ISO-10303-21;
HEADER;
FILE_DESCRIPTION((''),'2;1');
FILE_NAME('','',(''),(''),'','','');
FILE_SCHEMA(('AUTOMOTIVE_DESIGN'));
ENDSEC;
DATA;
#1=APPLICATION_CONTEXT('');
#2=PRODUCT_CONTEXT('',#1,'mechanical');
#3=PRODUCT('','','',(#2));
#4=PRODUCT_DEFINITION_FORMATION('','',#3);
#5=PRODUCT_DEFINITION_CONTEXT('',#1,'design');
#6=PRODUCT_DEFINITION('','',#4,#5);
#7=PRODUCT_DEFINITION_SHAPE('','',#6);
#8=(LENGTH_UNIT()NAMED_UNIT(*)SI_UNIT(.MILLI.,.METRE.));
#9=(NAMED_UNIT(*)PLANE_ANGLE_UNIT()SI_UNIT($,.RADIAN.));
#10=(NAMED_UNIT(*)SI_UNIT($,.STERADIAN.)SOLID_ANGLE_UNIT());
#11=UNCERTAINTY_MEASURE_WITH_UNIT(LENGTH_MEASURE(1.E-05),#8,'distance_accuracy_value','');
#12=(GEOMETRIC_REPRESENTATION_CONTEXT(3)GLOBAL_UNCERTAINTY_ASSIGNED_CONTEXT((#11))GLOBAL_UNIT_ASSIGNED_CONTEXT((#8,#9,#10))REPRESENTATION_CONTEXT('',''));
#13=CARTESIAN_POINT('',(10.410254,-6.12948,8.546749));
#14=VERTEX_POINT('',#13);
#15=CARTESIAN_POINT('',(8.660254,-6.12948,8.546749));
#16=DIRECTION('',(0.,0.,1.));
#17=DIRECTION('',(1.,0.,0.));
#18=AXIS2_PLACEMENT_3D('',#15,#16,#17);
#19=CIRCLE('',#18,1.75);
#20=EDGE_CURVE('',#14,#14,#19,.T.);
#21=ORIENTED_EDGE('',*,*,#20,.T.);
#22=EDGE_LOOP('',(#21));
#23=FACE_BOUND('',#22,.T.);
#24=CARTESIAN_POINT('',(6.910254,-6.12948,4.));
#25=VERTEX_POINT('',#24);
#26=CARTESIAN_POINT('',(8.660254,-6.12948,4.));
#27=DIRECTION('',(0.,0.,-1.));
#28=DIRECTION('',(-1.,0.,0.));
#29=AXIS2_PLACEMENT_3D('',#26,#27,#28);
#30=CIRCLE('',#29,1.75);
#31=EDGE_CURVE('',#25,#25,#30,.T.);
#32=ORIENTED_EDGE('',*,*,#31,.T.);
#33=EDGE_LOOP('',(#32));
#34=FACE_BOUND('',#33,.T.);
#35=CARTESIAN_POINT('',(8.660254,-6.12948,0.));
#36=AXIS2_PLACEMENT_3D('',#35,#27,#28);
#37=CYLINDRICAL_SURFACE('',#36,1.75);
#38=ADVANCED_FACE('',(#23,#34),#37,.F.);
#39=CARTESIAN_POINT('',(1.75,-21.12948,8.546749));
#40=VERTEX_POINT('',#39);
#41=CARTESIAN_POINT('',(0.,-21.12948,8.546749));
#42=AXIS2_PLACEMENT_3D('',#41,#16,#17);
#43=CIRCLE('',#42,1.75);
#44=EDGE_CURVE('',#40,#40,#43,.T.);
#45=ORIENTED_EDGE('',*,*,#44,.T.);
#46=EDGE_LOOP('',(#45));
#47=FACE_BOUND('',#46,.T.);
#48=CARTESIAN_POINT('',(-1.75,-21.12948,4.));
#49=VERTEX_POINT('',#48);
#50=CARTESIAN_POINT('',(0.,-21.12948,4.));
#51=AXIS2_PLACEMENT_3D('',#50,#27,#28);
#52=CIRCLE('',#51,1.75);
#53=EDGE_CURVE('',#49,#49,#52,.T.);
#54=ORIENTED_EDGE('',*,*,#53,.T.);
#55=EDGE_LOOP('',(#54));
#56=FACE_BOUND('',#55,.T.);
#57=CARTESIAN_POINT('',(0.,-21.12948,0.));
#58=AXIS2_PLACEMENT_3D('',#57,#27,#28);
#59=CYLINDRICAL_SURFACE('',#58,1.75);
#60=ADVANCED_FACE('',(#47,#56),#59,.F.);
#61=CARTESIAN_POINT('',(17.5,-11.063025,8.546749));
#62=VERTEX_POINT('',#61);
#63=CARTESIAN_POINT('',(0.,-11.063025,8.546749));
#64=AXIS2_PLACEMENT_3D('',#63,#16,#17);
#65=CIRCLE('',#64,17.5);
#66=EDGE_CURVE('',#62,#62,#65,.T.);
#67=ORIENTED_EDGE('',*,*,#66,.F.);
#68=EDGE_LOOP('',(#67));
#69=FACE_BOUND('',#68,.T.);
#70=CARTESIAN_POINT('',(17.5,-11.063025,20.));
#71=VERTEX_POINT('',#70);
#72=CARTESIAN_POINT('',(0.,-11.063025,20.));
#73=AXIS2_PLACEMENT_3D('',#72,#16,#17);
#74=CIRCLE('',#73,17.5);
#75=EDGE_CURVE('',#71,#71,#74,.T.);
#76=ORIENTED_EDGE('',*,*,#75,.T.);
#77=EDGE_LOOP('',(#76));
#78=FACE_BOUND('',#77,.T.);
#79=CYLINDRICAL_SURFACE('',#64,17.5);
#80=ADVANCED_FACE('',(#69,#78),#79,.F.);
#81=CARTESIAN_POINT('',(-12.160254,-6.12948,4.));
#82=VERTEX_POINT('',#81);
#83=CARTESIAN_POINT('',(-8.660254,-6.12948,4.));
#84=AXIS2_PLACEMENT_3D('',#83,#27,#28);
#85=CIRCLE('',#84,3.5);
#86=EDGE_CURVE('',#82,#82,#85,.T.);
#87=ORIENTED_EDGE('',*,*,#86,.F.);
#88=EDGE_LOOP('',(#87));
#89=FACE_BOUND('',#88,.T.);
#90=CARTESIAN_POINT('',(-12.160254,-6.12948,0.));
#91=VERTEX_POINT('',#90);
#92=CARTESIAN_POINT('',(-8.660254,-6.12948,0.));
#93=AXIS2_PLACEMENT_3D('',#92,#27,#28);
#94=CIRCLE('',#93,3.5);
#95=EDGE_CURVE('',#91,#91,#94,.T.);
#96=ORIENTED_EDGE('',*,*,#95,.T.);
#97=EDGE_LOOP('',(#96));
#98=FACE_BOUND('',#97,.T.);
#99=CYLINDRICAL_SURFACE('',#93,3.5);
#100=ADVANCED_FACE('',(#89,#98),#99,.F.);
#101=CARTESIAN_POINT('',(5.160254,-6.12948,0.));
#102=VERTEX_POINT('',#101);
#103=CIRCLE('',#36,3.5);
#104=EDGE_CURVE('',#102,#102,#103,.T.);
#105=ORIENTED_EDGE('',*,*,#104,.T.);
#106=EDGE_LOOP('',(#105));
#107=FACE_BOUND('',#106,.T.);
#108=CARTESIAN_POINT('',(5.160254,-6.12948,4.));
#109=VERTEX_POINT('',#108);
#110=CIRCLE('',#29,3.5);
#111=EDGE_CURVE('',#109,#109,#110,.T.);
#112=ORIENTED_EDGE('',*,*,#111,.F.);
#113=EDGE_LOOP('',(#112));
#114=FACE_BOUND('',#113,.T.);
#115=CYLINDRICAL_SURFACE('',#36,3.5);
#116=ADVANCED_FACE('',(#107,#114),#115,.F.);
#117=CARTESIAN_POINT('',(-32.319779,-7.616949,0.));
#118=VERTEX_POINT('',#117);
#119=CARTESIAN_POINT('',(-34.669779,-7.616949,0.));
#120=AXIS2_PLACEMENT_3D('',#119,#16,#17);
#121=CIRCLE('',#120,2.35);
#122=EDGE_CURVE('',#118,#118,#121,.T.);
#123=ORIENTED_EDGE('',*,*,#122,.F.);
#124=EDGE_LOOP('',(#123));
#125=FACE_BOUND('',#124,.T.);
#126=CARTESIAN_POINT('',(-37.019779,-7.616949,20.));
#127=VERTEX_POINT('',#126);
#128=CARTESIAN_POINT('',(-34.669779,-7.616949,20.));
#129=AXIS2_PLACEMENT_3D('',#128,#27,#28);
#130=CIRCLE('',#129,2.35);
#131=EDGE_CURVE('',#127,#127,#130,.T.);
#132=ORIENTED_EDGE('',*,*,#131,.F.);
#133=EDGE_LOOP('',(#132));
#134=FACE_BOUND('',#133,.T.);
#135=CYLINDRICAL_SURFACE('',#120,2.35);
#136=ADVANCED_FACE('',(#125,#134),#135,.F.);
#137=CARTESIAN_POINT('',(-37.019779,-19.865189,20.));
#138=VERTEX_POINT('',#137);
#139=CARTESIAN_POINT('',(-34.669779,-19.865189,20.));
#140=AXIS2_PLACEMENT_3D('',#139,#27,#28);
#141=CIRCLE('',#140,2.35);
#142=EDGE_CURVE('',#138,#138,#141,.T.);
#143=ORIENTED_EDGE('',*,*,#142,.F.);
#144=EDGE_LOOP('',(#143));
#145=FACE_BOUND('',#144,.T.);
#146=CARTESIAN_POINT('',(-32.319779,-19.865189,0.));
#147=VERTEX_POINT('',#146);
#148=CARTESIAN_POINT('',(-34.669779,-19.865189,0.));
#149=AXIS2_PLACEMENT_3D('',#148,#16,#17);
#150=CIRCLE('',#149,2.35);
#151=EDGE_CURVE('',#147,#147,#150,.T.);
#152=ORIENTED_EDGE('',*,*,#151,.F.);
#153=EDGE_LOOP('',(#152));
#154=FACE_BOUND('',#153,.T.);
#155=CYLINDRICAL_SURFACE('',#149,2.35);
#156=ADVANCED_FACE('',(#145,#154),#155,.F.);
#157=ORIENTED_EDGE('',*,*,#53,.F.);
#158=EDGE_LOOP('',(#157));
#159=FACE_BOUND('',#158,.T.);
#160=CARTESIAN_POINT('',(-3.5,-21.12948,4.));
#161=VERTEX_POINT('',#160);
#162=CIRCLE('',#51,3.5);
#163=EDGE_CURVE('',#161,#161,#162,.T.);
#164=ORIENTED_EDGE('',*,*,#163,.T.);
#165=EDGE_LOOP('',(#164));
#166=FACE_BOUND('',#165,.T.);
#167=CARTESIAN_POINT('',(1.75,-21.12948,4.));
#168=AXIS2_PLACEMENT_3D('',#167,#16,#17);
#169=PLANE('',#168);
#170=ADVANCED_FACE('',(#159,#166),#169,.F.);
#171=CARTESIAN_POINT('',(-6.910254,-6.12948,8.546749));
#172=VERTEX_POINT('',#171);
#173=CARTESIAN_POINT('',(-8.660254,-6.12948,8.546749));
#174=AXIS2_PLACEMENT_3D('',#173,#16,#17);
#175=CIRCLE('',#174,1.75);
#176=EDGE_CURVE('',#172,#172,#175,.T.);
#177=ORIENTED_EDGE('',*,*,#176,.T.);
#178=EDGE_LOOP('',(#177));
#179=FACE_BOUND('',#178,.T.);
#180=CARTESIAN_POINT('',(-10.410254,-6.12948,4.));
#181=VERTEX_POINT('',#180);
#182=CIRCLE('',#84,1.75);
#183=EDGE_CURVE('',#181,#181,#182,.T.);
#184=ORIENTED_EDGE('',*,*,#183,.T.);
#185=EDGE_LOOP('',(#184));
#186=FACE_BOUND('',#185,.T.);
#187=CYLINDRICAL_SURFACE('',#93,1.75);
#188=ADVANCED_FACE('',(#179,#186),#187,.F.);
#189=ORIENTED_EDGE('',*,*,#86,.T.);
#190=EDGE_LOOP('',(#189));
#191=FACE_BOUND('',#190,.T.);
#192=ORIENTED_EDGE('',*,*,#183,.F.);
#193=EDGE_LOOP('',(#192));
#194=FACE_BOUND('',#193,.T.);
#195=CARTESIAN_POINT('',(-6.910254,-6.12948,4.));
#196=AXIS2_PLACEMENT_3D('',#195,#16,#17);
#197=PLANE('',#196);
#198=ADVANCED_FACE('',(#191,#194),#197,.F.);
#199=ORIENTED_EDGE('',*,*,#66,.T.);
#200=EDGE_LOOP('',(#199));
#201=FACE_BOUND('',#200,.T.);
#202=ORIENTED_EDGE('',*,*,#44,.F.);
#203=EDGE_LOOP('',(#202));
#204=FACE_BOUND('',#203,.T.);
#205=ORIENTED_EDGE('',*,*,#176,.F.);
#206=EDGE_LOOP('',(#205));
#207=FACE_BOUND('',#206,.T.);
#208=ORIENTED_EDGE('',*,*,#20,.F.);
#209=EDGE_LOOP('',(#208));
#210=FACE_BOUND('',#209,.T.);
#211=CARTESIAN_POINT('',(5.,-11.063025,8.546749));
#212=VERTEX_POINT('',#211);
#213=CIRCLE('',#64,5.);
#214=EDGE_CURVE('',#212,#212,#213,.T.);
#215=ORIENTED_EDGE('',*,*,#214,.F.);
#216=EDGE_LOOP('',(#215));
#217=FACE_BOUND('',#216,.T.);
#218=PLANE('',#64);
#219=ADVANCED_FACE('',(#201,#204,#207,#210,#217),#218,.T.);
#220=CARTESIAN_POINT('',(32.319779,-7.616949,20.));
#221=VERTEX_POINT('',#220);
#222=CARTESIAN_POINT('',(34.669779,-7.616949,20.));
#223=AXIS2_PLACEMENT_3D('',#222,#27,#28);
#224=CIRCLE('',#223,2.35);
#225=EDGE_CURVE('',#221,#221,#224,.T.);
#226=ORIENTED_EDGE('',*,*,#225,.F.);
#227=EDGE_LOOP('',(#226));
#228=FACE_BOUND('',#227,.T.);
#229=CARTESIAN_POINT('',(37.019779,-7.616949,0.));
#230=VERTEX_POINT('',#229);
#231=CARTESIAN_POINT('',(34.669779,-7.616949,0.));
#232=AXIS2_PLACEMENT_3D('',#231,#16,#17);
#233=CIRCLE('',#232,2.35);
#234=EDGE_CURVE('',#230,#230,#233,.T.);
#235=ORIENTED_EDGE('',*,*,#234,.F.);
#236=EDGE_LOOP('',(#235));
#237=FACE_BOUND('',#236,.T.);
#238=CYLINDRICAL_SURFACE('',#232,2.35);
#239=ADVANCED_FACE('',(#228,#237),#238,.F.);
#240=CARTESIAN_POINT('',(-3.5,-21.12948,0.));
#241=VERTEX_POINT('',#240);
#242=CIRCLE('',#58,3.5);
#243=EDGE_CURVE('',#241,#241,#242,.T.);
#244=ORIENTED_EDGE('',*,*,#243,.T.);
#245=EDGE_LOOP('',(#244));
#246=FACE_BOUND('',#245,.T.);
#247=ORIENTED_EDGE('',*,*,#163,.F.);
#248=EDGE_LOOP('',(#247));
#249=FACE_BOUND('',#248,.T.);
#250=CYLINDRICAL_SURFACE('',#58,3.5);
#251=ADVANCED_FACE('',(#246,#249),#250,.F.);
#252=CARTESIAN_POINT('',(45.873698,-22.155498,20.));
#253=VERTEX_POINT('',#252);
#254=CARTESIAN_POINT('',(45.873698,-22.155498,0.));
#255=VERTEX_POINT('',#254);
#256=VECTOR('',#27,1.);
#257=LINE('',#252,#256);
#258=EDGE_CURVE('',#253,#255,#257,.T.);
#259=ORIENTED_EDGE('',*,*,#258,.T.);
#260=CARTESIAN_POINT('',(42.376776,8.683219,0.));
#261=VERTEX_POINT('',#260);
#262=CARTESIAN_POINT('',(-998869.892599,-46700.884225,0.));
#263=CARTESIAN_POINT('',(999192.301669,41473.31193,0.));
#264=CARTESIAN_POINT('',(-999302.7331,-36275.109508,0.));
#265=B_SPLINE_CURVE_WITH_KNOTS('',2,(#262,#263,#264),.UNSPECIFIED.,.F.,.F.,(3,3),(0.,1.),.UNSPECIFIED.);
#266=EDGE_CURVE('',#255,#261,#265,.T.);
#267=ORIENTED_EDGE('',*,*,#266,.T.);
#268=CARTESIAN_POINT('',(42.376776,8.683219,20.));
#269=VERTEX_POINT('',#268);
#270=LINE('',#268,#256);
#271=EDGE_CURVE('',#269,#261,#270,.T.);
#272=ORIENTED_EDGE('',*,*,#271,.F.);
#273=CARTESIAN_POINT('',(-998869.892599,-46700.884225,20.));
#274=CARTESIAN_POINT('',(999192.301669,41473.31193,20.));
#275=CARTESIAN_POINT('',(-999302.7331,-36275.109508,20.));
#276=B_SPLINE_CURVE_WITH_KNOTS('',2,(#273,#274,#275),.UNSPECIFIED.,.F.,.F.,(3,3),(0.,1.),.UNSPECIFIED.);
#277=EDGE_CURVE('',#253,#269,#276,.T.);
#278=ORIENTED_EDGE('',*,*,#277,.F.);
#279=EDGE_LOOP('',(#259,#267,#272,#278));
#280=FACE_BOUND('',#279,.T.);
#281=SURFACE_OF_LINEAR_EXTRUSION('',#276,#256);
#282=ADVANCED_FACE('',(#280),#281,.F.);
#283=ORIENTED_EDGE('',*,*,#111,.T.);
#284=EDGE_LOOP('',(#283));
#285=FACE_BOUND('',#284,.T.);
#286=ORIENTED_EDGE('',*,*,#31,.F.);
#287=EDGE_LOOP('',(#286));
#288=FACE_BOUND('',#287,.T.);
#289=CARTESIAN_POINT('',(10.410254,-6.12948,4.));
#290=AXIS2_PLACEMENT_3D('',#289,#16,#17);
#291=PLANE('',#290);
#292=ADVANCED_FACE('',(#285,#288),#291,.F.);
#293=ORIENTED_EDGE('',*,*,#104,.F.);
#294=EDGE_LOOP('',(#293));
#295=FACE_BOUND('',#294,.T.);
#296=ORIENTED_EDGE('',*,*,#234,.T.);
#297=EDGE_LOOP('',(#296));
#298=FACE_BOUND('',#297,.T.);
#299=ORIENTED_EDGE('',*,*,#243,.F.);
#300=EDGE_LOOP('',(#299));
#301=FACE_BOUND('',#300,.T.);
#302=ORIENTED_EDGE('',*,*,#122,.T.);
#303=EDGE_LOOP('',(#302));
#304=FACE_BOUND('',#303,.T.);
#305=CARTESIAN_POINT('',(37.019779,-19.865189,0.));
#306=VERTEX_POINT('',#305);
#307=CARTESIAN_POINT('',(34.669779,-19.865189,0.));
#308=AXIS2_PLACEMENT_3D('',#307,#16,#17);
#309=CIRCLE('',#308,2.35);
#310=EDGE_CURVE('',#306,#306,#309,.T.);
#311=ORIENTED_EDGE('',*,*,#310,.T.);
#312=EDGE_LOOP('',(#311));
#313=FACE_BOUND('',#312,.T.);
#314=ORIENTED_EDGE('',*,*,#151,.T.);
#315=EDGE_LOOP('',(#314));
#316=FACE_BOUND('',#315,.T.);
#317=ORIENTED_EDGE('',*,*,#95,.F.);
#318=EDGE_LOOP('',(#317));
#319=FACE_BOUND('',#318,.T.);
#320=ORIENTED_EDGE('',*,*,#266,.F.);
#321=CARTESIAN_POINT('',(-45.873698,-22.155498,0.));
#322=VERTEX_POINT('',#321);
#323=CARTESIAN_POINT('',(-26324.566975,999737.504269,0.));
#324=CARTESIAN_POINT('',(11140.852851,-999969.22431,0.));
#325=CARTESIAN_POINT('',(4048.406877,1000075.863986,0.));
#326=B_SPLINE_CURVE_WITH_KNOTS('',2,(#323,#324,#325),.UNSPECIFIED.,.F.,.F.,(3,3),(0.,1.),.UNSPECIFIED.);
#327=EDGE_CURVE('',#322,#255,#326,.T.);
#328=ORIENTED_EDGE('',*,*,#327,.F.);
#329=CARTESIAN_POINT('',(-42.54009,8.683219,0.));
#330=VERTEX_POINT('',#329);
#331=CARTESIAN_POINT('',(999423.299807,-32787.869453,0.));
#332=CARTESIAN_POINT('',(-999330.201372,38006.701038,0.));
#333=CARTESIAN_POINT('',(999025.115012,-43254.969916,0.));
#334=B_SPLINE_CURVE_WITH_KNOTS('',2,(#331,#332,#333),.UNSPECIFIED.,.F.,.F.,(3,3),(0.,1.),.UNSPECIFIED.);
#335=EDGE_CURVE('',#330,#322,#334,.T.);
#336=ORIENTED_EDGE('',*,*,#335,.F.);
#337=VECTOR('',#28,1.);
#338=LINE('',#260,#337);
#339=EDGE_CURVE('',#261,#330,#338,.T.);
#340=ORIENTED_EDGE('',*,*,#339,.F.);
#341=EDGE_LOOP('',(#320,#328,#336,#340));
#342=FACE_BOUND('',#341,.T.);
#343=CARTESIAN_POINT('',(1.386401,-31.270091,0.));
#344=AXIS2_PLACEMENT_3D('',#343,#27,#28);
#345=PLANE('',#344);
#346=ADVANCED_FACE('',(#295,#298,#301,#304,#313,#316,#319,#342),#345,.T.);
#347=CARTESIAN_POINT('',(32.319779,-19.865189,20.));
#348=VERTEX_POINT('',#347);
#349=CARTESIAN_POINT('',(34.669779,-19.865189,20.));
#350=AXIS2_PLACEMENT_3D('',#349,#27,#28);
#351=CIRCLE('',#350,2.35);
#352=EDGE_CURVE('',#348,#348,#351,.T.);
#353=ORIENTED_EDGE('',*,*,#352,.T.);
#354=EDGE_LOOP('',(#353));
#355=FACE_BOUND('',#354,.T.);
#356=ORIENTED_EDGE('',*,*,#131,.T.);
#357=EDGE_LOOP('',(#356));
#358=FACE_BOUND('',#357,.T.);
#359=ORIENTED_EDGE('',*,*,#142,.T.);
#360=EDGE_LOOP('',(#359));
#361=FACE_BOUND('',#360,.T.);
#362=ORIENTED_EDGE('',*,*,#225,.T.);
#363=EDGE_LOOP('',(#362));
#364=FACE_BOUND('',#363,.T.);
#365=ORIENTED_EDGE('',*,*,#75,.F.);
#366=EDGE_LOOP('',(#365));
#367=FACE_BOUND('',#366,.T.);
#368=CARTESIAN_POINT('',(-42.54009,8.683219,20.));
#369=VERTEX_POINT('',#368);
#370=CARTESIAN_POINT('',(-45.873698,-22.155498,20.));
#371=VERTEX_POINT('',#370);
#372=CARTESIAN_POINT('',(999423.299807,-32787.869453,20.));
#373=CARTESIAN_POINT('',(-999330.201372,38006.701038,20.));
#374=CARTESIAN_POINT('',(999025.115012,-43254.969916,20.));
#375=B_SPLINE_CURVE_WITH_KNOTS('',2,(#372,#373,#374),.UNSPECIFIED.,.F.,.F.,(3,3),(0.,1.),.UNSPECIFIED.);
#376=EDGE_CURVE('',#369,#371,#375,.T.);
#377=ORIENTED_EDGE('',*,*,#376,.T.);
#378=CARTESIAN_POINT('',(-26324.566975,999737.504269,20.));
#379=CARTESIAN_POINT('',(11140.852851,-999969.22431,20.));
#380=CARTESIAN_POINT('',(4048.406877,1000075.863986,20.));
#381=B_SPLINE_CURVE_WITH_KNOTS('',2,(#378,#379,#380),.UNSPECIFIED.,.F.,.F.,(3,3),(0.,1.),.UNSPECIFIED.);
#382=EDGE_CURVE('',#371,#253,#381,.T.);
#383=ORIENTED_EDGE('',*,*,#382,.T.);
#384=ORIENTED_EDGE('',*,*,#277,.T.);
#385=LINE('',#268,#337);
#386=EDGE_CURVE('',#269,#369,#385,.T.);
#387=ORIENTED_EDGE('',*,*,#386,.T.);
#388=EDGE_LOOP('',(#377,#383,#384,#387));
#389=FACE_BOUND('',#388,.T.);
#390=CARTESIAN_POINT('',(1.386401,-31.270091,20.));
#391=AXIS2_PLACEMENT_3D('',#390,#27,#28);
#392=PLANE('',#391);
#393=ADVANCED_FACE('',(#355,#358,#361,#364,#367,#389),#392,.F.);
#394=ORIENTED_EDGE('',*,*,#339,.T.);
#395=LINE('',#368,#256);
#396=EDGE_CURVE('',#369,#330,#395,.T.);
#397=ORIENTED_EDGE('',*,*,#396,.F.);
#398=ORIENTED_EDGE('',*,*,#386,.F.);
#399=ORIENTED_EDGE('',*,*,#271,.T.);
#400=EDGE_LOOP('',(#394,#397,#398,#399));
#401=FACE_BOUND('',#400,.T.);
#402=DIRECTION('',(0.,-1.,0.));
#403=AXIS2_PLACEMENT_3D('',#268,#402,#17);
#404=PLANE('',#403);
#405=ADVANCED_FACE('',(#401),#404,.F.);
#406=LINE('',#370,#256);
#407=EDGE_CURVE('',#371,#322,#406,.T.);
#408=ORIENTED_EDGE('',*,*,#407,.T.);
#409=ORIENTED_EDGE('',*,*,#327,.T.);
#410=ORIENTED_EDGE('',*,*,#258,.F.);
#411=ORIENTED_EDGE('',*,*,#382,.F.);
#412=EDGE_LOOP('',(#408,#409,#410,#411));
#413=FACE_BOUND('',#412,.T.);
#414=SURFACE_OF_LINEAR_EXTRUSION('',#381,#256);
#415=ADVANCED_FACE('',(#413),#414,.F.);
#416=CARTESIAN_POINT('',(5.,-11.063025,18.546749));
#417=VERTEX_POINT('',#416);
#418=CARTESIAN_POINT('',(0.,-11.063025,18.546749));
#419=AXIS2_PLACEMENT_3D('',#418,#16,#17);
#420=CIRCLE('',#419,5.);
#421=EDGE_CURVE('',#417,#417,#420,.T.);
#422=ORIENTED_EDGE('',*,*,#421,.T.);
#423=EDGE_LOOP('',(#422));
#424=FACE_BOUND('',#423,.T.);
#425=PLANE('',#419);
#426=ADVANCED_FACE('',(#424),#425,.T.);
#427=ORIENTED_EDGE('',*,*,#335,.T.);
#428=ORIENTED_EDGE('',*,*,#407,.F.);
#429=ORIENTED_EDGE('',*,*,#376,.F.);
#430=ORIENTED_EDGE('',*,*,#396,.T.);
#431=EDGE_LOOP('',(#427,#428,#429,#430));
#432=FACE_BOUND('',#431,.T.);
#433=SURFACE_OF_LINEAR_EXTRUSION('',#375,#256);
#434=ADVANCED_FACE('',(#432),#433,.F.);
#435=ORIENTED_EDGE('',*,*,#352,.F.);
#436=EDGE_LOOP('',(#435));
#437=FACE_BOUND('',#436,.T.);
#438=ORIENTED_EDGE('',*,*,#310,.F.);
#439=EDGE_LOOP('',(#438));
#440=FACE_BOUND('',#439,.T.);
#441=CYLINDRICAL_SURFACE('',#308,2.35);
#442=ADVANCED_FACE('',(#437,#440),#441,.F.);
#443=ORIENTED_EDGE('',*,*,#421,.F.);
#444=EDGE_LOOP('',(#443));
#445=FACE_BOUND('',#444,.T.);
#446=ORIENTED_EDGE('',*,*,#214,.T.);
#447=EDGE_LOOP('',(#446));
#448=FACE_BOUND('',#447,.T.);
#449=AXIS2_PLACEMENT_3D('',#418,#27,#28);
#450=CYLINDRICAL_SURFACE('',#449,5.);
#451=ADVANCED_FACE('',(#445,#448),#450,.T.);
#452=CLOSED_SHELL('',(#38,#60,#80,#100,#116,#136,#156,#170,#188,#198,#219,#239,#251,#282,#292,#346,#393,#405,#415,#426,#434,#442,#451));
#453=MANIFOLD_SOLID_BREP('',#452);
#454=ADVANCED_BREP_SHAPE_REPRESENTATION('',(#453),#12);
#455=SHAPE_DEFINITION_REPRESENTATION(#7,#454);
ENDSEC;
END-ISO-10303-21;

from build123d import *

# Parameters (mm, degrees)
BOSS_EXTRUDE1_DEPTH                              = 20
SKETCH4_R                                        = 17.5
CUT_EXTRUDE1_DEPTH                               = 11.453250926
SKETCH5_R                                        = 5
BOSS_EXTRUDE2_DEPTH                              = 10
CBORE_FOR_M5_HEX_HEAD_MACHINE_SCREW2_D           = 3.5
CBORE_FOR_M5_HEX_HEAD_MACHINE_SCREW2_DEPTH       = 11
CBORE_FOR_M5_HEX_HEAD_MACHINE_SCREW2_CBORE_D     = 7
CBORE_FOR_M5_HEX_HEAD_MACHINE_SCREW2_CBORE_DEPTH = 4
CBORE_FOR_M5_HEX_HEAD_MACHINE_SCREW2_TIP         = 1.75
CUT_EXTRUDE2_DEPTH                               = 65.71473925
CUT_EXTRUDE2_DEPTH_BACK                          = 65.71473925
SKETCH11_R                                       = 2.35


with BuildPart() as part:
    # Sketch2 → Boss-Extrude1 (new body)
    with BuildSketch(Plane.XY):
        with BuildLine():
            Line((42.376776125, 8.683218748), (-42.540089832, 8.683218747))
            add(Edge.make_bspline(
                [(-42.540089832, 8.683218747), (-61.647606257, -6.072667773), (-45.873698376, -22.15549797)],
                knots=[0, 0, 0, 1, 1, 1], degree=2))
            add(Edge.make_bspline(
                [(-45.873698376, -22.15549797), (0.203235462, -40.398996626), (45.873698397, -22.155497949)],
                knots=[0, 0, 0, 1, 1, 1], degree=2))
            add(Edge.make_bspline(
                [(45.873698397, -22.155497949), (61.713202875, -6.005950809), (42.376776125, 8.683218748)],
                knots=[0, 0, 0, 1, 1, 1], degree=2))
        make_face()
    extrude(amount=BOSS_EXTRUDE1_DEPTH)

    # Sketch4 → Cut-Extrude1 (cut)
    with BuildSketch(Plane.XY.offset(20)):
        with Locations((0, -11.063024907)):
            Circle(SKETCH4_R)
    extrude(amount=-CUT_EXTRUDE1_DEPTH, mode=Mode.SUBTRACT)

    # Sketch5 → Boss-Extrude2 (add)
    with BuildSketch(Plane.XY.offset(8.546749074)):
        with Locations((0, -11.063024907)):
            Circle(SKETCH5_R)
    extrude(amount=BOSS_EXTRUDE2_DEPTH)

    # CBORE for M5 Hex Head Machine Screw2
    with Locations(Plane(origin=(0, 0, 0), x_dir=(-1, 0, 0), z_dir=(0, 0, -1))):
        with Locations((-8.660254038, -6.129479586), (0, -21.129479586), (8.660254038, -6.129479586)):
            CounterBoreHole(CBORE_FOR_M5_HEX_HEAD_MACHINE_SCREW2_D / 2, CBORE_FOR_M5_HEX_HEAD_MACHINE_SCREW2_CBORE_D / 2, CBORE_FOR_M5_HEX_HEAD_MACHINE_SCREW2_CBORE_DEPTH, depth=CBORE_FOR_M5_HEX_HEAD_MACHINE_SCREW2_DEPTH)
            with Locations((0, 0, -(CBORE_FOR_M5_HEX_HEAD_MACHINE_SCREW2_DEPTH + CBORE_FOR_M5_HEX_HEAD_MACHINE_SCREW2_TIP / 2))):  # 90° drill point
                Cone(0, CBORE_FOR_M5_HEX_HEAD_MACHINE_SCREW2_D / 2, CBORE_FOR_M5_HEX_HEAD_MACHINE_SCREW2_TIP, mode=Mode.SUBTRACT)

    # Sketch11 → Cut-Extrude2 (cut, two sides: drawn at the far end of the back side and taken through both)
    with BuildSketch(Plane.XY.offset(20).offset(-CUT_EXTRUDE2_DEPTH_BACK)):
        with Locations((-34.669778537, -19.865188652)):
            Circle(SKETCH11_R)
        with Locations((-34.669778537, -7.616948648)):
            Circle(SKETCH11_R)
        with Locations((34.669778537, -7.616948648)):
            Circle(SKETCH11_R)
        with Locations((34.669778537, -19.865188652)):
            Circle(SKETCH11_R)
    extrude(amount=CUT_EXTRUDE2_DEPTH + CUT_EXTRUDE2_DEPTH_BACK, mode=Mode.SUBTRACT)


solid = part.part
